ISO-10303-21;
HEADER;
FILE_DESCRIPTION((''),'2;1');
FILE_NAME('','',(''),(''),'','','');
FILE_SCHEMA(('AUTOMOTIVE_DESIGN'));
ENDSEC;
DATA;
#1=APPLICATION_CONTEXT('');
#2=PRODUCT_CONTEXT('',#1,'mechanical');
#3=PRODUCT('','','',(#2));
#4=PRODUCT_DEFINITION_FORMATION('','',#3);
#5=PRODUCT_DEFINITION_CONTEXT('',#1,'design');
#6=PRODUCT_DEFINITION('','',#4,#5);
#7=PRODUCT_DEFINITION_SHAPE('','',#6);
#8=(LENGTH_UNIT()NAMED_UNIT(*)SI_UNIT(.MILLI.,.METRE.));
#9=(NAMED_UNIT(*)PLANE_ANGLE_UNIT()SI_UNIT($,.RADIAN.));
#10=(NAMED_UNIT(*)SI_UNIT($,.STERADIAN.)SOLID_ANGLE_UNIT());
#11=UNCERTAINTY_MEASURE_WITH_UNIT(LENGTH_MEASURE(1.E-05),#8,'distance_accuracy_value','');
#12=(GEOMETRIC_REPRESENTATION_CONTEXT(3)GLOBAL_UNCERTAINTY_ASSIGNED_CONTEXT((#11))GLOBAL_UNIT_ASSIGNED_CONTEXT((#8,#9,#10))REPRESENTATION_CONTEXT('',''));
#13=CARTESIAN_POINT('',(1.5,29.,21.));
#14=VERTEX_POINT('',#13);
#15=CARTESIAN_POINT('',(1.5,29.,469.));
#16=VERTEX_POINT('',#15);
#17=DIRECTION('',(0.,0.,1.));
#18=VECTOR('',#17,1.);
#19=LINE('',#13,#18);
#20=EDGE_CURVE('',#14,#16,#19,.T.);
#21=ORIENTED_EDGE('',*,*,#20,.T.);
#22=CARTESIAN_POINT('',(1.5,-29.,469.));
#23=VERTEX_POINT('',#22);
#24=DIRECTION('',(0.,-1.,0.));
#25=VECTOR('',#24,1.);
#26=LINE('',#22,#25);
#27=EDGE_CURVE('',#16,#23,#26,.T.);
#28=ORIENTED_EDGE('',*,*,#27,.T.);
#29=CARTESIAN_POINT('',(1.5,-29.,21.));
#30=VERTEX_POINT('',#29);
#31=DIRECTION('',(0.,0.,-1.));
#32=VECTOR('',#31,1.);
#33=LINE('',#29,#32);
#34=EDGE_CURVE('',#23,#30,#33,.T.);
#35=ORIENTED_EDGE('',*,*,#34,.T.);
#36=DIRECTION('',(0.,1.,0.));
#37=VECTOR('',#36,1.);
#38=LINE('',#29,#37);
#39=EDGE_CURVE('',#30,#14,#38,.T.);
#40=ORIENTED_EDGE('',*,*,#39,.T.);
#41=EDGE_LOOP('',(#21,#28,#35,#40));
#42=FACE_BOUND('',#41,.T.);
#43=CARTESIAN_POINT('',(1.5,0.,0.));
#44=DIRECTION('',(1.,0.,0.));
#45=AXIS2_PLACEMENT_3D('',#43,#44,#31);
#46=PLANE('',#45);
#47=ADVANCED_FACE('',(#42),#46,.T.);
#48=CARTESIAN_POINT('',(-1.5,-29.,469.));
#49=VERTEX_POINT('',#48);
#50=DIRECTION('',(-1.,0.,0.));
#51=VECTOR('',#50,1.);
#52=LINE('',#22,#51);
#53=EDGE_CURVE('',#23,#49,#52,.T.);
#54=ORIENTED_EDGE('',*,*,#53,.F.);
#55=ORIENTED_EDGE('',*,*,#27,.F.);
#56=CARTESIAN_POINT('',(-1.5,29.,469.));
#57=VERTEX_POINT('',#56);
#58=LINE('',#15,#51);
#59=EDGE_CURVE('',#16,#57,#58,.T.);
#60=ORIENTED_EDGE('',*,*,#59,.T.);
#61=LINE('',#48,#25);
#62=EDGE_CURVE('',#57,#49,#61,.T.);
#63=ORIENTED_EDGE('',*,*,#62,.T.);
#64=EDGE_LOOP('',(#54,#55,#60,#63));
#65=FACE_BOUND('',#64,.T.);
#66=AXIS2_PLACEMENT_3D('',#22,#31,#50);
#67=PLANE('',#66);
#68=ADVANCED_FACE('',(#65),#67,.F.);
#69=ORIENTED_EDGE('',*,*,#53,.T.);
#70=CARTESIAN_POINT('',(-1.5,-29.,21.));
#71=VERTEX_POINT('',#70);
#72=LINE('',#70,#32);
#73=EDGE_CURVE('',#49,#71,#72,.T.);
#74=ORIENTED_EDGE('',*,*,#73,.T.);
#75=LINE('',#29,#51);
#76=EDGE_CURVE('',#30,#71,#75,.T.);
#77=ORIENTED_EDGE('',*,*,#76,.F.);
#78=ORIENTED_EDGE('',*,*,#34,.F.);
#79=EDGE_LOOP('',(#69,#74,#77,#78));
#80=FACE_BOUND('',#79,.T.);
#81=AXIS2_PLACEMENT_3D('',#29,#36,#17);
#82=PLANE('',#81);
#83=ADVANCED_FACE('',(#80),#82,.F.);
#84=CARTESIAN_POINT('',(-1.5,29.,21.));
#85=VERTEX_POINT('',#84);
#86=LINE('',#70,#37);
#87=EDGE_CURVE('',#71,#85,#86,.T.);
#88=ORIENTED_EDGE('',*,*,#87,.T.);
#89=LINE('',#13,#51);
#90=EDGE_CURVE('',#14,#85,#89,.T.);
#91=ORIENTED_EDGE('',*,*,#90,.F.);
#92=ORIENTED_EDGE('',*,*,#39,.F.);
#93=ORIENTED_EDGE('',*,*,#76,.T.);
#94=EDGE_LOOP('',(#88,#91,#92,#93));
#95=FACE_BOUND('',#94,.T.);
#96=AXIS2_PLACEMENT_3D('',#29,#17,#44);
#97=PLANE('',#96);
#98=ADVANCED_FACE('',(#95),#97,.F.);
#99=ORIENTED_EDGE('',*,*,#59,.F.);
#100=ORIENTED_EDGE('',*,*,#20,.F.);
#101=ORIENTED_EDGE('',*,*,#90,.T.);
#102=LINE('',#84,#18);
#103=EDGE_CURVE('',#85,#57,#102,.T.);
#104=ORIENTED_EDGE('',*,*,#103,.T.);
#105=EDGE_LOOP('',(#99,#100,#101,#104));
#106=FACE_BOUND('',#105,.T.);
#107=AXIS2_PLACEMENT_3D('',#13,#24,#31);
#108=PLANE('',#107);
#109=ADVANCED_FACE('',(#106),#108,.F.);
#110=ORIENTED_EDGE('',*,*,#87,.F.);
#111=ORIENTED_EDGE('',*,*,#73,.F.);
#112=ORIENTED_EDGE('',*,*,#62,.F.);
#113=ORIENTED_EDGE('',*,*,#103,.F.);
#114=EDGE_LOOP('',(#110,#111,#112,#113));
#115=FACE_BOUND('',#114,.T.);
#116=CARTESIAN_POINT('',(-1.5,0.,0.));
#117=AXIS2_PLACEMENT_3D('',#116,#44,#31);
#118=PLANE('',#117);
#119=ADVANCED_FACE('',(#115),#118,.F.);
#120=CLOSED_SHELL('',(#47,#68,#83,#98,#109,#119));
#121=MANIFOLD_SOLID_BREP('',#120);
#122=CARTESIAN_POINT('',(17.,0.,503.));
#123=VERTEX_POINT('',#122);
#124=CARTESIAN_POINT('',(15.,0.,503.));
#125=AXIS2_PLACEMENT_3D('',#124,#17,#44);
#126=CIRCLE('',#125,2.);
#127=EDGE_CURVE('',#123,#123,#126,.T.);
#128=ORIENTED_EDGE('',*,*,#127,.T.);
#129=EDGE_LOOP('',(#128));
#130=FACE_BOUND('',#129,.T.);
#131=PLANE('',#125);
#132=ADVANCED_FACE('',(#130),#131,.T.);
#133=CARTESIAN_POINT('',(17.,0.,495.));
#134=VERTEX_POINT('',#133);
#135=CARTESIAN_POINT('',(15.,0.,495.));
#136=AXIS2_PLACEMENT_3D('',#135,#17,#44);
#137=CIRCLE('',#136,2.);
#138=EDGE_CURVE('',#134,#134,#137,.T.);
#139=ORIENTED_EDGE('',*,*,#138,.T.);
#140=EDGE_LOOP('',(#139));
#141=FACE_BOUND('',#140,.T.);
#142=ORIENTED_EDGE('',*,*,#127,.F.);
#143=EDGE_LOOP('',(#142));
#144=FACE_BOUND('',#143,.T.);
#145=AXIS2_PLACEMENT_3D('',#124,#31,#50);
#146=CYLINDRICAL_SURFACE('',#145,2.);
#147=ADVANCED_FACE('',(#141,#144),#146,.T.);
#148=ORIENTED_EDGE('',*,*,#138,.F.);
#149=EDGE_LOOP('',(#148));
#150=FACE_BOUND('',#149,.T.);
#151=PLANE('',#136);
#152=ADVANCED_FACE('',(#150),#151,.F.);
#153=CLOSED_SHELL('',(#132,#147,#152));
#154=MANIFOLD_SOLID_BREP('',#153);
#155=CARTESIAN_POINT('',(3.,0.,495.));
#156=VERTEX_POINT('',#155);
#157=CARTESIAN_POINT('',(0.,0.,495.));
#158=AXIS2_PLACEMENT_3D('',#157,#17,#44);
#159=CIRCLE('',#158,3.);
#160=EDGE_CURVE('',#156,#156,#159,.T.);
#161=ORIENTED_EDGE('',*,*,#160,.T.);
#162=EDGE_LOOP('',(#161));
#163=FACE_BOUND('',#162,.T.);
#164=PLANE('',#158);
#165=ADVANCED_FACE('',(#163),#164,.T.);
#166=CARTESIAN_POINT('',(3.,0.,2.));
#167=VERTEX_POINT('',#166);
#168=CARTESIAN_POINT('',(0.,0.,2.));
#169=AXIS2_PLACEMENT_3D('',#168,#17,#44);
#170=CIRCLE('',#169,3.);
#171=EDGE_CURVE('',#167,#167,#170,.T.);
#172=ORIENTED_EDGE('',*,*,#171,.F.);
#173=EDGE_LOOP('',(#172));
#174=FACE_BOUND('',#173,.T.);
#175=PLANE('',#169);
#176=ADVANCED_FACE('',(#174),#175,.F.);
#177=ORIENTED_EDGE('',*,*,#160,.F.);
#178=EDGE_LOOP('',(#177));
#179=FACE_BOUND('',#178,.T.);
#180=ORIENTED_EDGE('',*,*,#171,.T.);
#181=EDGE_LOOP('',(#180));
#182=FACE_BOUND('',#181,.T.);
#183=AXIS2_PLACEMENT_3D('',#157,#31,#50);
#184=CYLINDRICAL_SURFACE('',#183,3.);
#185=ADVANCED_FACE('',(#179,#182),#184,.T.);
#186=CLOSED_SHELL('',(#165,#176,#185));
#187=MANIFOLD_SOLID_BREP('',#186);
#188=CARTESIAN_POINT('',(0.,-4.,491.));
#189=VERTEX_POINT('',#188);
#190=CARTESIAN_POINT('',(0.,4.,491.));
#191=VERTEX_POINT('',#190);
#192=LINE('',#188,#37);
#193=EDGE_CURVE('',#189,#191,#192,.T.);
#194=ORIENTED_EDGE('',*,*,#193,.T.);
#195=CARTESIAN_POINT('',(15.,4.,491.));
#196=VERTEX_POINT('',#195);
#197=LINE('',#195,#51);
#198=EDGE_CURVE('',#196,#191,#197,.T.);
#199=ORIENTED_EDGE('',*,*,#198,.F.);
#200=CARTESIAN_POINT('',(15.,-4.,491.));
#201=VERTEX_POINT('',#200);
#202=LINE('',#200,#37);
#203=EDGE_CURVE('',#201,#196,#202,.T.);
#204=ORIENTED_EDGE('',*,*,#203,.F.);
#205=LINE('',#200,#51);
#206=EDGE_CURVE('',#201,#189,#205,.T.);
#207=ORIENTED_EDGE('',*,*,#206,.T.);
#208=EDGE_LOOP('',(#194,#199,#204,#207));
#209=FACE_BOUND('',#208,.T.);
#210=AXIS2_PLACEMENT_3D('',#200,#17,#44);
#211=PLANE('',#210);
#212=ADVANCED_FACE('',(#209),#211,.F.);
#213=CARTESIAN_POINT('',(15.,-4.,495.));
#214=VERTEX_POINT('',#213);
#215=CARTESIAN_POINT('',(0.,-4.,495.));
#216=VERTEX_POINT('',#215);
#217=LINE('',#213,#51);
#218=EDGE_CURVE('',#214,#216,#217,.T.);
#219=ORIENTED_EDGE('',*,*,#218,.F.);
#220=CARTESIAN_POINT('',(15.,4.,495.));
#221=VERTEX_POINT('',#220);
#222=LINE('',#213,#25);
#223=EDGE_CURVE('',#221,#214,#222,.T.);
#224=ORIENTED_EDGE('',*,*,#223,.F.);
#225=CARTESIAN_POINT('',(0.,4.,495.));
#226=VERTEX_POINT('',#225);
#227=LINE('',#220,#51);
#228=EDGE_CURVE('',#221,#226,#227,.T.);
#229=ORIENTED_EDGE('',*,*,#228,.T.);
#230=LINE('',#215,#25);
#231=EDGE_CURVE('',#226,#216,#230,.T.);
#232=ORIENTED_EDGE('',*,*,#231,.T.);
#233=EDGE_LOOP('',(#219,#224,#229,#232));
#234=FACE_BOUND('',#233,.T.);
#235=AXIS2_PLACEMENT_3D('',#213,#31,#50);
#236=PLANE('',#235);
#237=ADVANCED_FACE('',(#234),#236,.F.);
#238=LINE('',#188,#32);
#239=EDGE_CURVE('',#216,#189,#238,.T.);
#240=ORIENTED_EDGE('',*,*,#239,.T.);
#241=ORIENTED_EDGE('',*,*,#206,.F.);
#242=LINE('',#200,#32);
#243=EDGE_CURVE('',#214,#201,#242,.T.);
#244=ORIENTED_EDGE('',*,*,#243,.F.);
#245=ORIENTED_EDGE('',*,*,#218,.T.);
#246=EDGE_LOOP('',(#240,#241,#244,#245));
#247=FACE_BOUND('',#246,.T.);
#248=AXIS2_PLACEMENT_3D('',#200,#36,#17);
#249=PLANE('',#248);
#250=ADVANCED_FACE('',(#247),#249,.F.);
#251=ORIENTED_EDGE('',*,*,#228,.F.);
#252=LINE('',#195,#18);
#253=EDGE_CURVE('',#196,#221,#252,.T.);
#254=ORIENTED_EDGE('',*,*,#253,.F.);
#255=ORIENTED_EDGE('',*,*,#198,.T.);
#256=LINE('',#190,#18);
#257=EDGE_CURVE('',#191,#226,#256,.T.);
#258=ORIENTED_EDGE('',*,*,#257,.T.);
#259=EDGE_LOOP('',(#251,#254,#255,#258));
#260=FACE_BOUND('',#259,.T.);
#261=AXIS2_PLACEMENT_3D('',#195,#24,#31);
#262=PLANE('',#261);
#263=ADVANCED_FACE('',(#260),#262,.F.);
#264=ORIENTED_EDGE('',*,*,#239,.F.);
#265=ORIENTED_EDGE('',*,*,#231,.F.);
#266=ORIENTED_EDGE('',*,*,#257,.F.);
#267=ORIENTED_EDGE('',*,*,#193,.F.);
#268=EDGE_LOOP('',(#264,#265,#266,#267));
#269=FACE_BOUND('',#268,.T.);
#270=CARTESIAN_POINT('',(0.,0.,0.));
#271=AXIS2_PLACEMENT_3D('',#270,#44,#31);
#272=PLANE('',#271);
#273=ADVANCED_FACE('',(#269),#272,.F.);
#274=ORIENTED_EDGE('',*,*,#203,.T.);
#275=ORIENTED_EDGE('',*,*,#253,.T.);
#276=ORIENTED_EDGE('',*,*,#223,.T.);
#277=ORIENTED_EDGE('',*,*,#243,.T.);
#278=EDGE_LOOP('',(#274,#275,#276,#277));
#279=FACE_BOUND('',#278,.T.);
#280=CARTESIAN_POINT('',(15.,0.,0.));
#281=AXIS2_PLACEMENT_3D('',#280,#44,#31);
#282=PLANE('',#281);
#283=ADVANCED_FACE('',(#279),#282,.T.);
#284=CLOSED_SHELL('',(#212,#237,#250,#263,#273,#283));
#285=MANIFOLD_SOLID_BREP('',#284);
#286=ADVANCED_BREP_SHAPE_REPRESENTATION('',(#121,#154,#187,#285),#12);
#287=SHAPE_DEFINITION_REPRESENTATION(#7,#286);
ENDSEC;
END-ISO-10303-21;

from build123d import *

# Parameters (mm, degrees)
SKETCH1_W       = 4
SKETCH1_H       = 8
CRANK_DEPTH     = 15
BLADE_START     = -1.5
SKETCH2_W       = 448
SKETCH2_H       = 58
BLADE_DEPTH     = 3
PIVOT_PIN_START = 2
SKETCH3_R       = 3
PIVOT_PIN_DEPTH = 493
CRANK_PIN_START = 495
SKETCH4_R       = 2
CRANK_PIN_DEPTH = 8


with BuildPart() as part:
    # Sketch1 → crank (new body)
    with BuildSketch(Plane(origin=(0, 0, 0), x_dir=(0, 0, -1), z_dir=(1, 0, 0))):
        with Locations((-493, 0)):
            Rectangle(SKETCH1_W, SKETCH1_H)
    extrude(amount=CRANK_DEPTH)


with BuildPart() as body_2:
    # Sketch2 → blade (new body)
    with BuildSketch(Plane(origin=(0, 0, 0), x_dir=(0, 0, -1), z_dir=(1, 0, 0)).offset(BLADE_START)):
        with Locations((-245, 0)):
            Rectangle(SKETCH2_W, SKETCH2_H)
    extrude(amount=BLADE_DEPTH)


with BuildPart() as body_3:
    # Sketch3 → pivot_pin (new body)
    with BuildSketch(Plane.XY.offset(PIVOT_PIN_START)):
        Circle(SKETCH3_R)
    extrude(amount=PIVOT_PIN_DEPTH)


with BuildPart() as body_4:
    # Sketch4 → crank_pin (new body)
    with BuildSketch(Plane.XY.offset(CRANK_PIN_START)):
        with Locations((15, 0)):
            Circle(SKETCH4_R)
    extrude(amount=CRANK_PIN_DEPTH)


solid = Compound([part.part, body_2.part, body_3.part, body_4.part])
